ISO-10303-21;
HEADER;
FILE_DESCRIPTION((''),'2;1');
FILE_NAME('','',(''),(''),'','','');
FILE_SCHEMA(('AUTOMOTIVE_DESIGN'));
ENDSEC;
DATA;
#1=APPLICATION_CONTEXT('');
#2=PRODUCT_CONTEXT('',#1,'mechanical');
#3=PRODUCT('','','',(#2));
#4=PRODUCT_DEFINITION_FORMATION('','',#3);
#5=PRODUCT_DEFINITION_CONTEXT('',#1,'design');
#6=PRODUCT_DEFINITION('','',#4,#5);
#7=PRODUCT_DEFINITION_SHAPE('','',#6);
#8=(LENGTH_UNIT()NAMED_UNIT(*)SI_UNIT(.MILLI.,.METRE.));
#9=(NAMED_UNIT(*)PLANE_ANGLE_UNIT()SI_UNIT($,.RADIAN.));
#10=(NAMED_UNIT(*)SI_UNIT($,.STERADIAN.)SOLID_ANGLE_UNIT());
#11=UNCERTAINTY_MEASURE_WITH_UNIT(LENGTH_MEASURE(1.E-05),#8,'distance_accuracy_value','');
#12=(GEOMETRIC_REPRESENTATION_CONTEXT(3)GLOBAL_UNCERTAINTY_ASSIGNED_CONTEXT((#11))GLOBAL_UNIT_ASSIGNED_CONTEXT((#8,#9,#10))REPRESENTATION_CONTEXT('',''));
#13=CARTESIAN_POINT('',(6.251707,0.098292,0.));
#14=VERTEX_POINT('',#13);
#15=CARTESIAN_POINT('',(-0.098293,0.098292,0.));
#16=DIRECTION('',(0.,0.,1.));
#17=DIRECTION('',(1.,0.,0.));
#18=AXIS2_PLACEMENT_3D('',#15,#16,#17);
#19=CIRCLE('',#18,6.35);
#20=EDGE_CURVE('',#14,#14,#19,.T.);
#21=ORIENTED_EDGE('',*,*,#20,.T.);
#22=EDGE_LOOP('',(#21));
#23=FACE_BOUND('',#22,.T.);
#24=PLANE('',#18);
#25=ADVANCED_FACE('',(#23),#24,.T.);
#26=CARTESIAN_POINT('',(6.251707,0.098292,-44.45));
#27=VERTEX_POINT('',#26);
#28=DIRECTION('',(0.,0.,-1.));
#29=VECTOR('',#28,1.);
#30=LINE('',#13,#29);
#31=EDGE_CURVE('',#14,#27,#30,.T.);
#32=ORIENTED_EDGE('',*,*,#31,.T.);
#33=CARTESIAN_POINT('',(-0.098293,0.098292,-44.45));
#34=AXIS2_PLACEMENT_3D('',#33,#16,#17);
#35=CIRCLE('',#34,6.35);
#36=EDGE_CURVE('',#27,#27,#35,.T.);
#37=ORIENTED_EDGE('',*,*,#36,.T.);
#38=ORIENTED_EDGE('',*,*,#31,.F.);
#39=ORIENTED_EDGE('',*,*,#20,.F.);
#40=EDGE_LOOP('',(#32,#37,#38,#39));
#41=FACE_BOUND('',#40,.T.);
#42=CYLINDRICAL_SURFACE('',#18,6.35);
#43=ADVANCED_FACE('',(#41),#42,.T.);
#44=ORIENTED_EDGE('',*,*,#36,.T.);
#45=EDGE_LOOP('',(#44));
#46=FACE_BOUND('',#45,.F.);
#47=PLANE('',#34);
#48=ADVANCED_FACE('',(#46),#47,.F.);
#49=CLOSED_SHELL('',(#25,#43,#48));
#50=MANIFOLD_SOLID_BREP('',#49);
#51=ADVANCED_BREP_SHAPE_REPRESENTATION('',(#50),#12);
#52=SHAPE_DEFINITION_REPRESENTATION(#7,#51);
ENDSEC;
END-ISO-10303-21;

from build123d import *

# Parameters (mm, degrees)
F0_R     = 6.35
F1_DEPTH = 44.45


with BuildPart() as f1:
    # F0 (on Top) → F1 (new body)
    with BuildSketch(Plane.XY):
        with Locations((-0.098293, 0.098292)):
            Circle(F0_R)
    extrude(amount=-F1_DEPTH)


solid = f1.part
